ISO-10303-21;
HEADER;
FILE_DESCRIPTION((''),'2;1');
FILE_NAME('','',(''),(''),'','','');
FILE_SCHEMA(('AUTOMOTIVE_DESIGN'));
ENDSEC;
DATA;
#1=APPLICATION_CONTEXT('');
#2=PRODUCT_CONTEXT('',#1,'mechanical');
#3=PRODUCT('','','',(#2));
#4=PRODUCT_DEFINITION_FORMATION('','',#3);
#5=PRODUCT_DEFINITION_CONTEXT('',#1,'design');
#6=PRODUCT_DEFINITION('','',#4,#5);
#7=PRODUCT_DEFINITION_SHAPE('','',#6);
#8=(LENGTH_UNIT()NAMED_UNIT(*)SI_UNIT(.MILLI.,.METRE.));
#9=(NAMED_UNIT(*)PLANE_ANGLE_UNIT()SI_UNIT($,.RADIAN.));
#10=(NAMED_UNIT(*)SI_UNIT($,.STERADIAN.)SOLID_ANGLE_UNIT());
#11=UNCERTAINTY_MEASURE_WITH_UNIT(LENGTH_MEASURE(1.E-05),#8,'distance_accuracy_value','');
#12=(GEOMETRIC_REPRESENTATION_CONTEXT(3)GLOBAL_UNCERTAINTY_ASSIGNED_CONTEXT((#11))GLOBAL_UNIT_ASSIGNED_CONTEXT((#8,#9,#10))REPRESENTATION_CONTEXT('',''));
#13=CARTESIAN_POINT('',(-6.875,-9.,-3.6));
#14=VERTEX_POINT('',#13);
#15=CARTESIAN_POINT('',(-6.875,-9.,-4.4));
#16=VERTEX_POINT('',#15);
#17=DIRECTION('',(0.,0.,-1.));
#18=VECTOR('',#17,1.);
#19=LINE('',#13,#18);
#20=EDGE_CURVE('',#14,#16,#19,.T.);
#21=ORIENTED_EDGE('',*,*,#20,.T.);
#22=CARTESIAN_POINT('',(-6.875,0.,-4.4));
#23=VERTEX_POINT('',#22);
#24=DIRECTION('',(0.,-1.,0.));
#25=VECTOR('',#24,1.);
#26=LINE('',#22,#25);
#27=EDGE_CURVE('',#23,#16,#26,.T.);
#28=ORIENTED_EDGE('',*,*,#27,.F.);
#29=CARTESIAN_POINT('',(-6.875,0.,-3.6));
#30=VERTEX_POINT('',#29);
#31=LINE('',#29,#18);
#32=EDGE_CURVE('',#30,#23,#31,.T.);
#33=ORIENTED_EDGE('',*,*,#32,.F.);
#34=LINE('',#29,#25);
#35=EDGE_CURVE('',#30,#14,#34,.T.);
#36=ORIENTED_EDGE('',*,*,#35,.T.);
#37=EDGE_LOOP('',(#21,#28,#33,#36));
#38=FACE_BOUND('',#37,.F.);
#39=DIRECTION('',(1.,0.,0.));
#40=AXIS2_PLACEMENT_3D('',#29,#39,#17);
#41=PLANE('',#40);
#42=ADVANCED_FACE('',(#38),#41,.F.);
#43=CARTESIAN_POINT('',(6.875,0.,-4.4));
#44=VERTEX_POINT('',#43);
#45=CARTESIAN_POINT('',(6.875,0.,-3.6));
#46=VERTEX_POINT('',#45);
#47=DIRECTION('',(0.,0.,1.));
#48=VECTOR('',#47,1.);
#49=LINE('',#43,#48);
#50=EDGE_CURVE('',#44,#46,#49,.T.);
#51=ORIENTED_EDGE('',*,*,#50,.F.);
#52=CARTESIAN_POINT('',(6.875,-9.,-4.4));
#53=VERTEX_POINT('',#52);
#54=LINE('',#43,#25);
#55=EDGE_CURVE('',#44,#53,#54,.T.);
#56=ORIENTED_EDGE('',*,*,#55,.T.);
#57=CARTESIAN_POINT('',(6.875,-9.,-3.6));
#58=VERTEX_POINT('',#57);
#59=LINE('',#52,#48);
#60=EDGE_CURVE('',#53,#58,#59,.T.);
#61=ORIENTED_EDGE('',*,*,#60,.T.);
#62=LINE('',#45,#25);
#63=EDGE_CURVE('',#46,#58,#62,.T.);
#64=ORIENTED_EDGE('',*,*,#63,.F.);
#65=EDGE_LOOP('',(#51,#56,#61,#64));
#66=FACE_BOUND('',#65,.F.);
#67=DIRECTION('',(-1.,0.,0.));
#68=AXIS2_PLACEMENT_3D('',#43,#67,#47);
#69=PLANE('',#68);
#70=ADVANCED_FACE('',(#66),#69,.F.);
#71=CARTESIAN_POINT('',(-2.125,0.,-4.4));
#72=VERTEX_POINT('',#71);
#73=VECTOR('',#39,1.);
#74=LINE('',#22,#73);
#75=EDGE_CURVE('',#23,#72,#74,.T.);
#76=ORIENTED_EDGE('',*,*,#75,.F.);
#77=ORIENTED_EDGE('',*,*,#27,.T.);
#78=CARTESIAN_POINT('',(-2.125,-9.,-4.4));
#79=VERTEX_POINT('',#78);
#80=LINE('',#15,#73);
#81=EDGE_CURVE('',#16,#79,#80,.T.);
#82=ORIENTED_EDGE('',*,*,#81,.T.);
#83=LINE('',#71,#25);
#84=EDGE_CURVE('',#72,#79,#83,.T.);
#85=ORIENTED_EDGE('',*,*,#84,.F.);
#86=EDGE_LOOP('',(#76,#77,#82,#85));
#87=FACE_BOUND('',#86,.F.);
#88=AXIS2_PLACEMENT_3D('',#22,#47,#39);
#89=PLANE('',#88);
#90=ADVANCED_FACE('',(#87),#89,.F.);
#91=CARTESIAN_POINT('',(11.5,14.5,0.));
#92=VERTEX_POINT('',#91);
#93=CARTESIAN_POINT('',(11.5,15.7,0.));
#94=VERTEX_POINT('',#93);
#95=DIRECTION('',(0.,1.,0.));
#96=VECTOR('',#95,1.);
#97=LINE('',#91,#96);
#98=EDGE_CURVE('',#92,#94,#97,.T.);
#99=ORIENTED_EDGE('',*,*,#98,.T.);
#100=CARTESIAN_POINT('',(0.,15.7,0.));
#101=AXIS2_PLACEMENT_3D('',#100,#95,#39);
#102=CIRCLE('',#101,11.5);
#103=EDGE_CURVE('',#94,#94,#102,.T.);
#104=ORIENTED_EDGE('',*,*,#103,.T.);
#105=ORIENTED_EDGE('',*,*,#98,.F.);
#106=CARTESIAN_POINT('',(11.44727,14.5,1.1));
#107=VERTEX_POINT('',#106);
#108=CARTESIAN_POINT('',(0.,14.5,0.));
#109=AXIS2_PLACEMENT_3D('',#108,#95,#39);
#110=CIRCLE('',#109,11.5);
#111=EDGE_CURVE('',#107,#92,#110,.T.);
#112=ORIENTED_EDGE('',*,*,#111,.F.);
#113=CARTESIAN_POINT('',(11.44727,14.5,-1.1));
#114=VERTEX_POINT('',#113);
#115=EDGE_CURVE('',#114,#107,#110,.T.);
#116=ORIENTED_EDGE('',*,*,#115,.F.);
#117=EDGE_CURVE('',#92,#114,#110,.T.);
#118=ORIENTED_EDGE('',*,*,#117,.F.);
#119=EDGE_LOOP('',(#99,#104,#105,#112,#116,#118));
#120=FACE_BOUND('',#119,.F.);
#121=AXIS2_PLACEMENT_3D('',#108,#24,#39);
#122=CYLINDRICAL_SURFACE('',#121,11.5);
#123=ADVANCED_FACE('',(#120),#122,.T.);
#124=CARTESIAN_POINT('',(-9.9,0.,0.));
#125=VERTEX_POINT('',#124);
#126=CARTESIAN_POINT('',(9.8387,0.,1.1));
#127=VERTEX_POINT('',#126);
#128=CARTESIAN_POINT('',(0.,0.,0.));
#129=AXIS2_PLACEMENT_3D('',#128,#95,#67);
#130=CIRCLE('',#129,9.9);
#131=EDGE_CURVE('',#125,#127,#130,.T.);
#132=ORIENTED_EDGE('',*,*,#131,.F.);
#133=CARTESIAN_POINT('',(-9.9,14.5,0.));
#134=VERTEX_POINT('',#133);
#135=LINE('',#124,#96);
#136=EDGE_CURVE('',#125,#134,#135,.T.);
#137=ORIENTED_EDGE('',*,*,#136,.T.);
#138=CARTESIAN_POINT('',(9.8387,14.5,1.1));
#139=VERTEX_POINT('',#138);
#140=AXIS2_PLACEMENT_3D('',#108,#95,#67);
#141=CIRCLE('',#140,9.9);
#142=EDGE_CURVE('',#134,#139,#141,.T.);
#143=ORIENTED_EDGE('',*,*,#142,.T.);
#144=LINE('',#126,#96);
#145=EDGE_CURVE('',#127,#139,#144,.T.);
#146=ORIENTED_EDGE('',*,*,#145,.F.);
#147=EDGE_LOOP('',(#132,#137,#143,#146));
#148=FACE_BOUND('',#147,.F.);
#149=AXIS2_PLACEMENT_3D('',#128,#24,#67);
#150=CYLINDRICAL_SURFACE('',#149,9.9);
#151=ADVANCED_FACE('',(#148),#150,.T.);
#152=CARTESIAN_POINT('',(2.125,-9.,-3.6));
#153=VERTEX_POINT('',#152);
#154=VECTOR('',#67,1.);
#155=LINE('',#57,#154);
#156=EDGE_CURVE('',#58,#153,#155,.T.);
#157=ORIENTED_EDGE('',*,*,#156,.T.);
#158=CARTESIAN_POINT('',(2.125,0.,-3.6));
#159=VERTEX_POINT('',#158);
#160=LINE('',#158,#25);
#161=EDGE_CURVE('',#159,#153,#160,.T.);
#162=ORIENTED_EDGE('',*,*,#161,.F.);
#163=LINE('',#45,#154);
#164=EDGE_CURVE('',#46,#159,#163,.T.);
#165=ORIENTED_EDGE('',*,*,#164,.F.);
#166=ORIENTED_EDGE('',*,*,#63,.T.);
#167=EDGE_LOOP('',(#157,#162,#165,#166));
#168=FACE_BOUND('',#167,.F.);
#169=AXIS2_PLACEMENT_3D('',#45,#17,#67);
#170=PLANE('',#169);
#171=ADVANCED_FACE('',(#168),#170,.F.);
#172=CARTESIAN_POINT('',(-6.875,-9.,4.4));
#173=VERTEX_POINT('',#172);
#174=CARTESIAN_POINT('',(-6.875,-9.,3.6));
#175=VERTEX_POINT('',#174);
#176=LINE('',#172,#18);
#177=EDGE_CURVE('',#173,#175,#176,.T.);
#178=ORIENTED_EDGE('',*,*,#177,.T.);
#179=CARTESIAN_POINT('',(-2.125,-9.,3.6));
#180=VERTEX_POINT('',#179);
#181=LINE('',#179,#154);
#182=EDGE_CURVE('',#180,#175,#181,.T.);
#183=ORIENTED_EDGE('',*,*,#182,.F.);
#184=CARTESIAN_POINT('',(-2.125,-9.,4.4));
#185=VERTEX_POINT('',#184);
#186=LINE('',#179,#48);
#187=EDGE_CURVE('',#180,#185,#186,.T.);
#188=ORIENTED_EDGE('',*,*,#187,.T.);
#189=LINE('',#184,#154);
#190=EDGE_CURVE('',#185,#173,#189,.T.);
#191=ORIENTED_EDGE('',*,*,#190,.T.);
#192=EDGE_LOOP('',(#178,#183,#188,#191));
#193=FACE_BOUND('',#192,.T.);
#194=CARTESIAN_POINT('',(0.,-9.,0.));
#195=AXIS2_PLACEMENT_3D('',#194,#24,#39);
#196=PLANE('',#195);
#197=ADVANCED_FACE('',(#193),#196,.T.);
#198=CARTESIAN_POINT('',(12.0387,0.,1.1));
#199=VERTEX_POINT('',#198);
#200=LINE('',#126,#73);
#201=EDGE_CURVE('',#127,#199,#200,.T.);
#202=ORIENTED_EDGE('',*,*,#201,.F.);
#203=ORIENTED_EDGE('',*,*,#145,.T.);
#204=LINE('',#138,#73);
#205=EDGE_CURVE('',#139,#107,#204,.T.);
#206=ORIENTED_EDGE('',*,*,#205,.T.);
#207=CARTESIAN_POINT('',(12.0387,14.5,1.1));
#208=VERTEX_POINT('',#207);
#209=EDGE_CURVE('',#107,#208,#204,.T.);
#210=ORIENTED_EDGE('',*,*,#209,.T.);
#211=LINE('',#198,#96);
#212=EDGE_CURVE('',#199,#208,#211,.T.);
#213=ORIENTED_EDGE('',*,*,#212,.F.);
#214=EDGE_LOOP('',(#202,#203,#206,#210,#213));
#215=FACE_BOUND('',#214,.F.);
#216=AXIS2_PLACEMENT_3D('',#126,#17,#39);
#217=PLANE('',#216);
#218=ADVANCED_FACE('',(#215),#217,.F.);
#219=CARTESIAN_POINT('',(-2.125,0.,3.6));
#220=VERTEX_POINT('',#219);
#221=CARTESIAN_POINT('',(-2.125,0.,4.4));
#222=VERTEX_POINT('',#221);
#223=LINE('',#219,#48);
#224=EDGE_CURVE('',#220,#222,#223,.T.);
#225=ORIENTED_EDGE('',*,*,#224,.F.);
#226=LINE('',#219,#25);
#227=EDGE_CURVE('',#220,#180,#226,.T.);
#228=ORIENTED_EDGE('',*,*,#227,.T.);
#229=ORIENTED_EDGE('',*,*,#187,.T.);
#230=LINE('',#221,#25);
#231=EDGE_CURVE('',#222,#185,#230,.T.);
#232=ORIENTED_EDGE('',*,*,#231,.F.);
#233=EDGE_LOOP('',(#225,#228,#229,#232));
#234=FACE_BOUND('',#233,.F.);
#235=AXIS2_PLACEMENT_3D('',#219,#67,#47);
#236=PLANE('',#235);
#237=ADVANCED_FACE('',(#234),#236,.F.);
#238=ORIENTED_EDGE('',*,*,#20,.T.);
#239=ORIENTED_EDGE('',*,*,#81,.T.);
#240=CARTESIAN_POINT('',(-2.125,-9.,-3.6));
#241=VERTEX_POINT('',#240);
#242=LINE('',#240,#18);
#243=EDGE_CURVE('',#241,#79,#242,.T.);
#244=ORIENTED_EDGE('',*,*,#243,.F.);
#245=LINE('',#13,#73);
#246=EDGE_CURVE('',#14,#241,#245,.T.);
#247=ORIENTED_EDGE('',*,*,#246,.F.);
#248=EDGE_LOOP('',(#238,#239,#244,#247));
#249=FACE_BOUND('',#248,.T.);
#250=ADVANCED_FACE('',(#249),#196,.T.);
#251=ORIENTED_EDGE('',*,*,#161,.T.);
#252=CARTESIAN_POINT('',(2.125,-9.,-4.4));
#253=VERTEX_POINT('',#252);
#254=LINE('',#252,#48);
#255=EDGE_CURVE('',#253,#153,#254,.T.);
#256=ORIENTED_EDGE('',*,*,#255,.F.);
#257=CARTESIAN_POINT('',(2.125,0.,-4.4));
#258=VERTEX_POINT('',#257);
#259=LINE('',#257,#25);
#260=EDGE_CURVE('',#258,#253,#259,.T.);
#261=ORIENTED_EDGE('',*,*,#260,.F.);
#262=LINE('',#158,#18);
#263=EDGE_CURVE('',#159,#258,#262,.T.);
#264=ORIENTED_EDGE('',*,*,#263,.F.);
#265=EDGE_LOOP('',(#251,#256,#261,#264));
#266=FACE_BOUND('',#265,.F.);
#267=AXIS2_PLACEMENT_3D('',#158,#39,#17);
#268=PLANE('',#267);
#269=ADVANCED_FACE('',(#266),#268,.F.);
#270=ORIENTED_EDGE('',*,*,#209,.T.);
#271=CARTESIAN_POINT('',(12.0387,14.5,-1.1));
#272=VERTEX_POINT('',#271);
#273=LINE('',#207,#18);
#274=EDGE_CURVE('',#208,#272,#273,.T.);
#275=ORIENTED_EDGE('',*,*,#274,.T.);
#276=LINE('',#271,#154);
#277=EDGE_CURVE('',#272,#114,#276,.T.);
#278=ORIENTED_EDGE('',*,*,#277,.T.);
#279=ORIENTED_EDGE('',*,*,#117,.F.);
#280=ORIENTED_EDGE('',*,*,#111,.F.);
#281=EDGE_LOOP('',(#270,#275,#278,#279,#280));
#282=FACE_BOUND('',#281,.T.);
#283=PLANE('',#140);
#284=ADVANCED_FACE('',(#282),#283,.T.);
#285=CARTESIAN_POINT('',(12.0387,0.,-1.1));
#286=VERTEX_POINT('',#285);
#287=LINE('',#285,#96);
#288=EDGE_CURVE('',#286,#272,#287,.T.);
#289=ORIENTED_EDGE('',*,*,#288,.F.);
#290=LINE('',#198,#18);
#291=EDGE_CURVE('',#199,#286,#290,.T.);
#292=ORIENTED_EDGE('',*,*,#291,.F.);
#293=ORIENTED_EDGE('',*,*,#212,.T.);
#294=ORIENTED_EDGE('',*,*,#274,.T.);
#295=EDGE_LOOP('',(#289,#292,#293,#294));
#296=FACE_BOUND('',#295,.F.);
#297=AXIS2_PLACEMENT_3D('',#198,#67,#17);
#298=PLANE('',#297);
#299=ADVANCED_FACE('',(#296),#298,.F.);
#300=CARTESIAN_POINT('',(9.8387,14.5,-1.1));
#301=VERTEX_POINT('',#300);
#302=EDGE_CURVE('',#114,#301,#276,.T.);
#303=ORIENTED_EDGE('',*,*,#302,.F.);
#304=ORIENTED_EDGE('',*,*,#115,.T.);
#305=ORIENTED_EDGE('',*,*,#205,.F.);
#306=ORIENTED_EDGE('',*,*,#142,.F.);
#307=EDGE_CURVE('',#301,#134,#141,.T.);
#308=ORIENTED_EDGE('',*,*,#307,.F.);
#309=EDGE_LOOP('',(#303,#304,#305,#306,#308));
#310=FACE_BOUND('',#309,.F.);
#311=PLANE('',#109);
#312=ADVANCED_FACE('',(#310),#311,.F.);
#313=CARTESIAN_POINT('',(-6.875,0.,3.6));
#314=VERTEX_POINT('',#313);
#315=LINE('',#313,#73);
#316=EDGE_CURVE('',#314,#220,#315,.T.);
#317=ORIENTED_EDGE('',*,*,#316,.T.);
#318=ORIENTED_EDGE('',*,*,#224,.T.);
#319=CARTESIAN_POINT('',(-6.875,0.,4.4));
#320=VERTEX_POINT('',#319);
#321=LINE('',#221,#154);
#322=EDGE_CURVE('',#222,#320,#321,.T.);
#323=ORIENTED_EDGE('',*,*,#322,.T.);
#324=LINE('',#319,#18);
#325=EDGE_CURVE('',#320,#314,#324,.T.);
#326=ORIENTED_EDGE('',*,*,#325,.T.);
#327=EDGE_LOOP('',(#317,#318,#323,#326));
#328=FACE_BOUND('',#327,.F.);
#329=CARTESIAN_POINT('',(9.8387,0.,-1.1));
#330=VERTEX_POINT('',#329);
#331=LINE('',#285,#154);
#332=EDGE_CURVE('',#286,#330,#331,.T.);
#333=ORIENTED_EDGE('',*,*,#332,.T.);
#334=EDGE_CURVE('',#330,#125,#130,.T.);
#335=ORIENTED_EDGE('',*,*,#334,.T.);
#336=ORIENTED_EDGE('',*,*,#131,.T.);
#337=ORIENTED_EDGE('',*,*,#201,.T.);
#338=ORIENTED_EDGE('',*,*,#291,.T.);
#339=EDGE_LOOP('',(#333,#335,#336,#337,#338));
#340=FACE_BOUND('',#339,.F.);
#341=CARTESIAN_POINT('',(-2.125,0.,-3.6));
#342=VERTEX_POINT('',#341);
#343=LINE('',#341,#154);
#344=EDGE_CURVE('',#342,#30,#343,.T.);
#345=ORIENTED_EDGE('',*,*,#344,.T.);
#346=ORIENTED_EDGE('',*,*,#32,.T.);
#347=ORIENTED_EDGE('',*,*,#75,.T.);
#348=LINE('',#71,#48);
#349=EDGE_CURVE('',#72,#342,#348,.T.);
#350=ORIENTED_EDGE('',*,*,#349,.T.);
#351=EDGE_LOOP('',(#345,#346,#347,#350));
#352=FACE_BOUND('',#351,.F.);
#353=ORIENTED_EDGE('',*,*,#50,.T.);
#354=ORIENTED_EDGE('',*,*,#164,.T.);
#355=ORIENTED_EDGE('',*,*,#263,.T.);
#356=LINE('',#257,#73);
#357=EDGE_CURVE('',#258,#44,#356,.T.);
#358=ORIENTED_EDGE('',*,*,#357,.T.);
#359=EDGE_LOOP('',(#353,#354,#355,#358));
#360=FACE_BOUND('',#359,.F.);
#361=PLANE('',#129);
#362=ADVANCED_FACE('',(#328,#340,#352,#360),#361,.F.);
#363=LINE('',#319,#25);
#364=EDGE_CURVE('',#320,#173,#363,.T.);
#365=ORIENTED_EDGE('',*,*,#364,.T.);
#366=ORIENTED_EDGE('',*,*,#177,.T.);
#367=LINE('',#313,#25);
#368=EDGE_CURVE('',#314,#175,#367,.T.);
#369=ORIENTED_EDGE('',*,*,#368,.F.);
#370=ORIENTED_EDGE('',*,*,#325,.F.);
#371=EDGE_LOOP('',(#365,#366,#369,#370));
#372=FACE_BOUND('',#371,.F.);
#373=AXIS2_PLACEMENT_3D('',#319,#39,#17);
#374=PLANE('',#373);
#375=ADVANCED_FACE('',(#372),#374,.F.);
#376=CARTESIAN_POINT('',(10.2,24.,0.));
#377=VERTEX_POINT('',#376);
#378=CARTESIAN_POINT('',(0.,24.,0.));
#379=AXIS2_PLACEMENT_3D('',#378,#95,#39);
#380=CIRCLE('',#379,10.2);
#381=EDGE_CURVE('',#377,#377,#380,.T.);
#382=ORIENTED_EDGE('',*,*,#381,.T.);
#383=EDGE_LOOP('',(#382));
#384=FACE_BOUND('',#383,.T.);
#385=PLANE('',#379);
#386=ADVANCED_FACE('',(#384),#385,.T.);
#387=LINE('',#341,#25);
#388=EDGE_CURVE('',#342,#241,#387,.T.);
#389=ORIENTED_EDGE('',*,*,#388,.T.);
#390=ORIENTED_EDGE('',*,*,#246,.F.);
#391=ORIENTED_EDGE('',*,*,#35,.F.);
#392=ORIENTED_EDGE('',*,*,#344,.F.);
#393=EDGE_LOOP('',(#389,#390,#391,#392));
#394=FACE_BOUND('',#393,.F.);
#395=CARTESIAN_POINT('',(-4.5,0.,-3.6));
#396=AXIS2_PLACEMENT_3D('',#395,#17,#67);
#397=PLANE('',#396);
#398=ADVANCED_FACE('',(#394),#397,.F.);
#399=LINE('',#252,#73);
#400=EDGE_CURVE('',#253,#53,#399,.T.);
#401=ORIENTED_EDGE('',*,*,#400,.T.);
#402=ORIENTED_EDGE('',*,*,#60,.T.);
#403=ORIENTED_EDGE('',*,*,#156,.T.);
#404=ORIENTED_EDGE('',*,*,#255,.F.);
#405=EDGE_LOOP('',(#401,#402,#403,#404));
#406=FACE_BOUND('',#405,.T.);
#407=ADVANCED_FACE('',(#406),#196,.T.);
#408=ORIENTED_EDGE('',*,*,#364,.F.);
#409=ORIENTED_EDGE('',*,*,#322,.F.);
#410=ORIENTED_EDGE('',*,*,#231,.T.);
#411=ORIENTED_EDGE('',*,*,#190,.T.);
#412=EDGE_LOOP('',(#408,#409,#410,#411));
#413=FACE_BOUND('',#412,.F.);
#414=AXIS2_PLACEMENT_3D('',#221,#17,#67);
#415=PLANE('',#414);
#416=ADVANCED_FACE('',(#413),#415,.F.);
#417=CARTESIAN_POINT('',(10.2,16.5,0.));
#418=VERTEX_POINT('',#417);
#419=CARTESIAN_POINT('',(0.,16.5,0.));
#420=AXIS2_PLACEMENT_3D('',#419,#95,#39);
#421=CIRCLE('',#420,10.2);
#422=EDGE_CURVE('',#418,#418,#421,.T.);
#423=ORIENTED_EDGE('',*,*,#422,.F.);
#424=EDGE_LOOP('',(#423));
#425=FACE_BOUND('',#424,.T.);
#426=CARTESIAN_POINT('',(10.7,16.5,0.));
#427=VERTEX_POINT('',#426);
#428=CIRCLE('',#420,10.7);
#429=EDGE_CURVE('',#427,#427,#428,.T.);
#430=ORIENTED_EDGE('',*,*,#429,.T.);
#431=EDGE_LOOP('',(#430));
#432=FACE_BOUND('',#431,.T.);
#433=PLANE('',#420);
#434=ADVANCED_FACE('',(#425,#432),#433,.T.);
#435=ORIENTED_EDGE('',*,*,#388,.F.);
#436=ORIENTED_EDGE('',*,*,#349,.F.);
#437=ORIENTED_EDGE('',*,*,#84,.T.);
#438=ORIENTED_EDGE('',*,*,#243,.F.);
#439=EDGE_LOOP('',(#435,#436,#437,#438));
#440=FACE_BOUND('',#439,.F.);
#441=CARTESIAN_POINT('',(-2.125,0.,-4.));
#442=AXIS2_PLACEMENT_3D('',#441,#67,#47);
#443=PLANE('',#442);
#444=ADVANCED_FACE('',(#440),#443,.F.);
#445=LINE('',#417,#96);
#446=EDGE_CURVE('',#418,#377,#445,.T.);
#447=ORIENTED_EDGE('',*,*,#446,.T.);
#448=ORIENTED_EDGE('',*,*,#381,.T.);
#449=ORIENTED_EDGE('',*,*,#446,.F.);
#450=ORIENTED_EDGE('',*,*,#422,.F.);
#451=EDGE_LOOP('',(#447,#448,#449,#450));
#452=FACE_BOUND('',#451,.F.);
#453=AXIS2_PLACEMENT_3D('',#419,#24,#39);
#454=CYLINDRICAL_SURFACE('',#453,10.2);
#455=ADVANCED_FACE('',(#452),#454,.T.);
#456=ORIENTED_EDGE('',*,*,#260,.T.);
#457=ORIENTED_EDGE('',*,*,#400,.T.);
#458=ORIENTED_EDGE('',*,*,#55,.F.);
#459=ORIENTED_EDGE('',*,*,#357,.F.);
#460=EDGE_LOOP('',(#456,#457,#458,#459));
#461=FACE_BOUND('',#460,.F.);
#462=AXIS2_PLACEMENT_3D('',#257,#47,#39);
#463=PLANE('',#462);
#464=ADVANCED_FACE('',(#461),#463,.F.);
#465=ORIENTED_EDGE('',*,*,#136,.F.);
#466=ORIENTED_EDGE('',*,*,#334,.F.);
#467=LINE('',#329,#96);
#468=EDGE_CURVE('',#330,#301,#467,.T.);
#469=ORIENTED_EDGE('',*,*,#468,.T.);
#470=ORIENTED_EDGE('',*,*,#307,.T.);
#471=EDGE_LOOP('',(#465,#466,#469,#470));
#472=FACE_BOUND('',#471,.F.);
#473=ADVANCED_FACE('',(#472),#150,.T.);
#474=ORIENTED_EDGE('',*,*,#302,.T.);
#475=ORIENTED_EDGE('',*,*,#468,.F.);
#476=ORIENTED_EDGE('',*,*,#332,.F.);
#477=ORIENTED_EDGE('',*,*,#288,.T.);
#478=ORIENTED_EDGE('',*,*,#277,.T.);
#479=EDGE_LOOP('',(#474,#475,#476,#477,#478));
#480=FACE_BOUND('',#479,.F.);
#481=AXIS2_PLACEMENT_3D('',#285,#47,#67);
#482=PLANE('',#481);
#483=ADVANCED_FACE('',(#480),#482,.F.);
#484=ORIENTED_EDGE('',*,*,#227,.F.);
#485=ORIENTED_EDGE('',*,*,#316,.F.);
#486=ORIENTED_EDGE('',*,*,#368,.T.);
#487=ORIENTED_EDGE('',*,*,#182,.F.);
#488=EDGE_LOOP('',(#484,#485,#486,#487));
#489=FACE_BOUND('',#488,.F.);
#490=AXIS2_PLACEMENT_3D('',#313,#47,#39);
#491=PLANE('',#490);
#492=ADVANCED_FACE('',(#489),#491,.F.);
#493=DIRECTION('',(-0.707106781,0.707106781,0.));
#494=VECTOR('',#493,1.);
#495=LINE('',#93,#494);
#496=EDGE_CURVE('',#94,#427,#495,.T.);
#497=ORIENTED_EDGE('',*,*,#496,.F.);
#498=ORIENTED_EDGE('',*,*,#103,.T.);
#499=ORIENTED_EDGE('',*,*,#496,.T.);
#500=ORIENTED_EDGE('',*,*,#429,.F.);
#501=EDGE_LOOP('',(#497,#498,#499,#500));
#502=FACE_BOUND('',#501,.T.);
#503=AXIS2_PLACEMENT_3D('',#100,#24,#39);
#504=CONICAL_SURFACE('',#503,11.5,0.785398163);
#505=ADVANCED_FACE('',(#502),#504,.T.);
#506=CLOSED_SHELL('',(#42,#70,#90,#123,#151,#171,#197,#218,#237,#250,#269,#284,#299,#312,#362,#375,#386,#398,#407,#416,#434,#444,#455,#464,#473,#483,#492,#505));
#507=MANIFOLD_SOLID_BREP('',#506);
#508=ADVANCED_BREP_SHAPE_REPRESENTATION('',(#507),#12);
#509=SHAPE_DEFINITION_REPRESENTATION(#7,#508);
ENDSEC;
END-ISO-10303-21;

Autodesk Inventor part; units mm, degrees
ref_plane "YZ Plane" through (0, 0, 0) normal (1, 0, 0) x (0, 1, 0)
ref_plane "XZ Plane" through (0, 0, 0) normal (0, 1, 0) x (-1, 0, 0)
ref_plane "XY Plane" through (0, 0, 0) normal (0, 0, 1) x (1, 0, 0)
sketch "Sketch1" plane through (0, 0, 0) normal (0, 1, 0) x (-1, 0, 0)
  circle A0 centre (0, 0) radius 9.9
  line L0 (-9.8387, 1.1) -> (-12.0387, 1.1)
  line L1 (-12.0387, 1.1) -> (-12.0387, -1.1)
  line L2 (-12.0387, -1.1) -> (-9.8387, -1.1)
  point P0 (-12.0387, 0)
  dimension "d0" = 19.8
  dimension "d1" = 2.2
  dimension "d2" = 2.2
extrude "Extrusion1" add sketch "Sketch1" along normal blind 14.5
sketch "Sketch2" plane through (0, 14.5, 0) normal (0, 1, 0) x (1, 0, 0)
  circle A0 centre (0, 0) radius 11.5
  dimension "d5" = 23
extrude "Extrusion2" add sketch "Sketch2" along normal blind 2
chamfer "Chamfer1" distance 0.8 angle 45 1 edges at (-11.5, 16.5, 0)
sketch "Sketch3" plane through (0, 16.5, 0) normal (0, 1, 0) x (1, 0, 0)
  circle A0 centre (0, 0) radius 10.2
  dimension "d11" = 20.4
extrude "Extrusion3" add sketch "Sketch3" along normal blind 7.5
sketch "Sketch4" plane through (0, 0, 0) normal (0, -1, 0) x (1, 0, 0)
  line L0 (-6.875, -4.4) -> (-2.125, -4.4)
  line L1 (-2.125, -4.4) -> (-2.125, -3.6)
  line L2 (-2.125, -3.6) -> (-6.875, -3.6)
  line L3 (-6.875, -3.6) -> (-6.875, -4.4)
  line L4 (2.125, -4.4) -> (6.875, -4.4)
  line L5 (6.875, -4.4) -> (6.875, -3.6)
  line L6 (6.875, -3.6) -> (2.125, -3.6)
  line L7 (2.125, -3.6) -> (2.125, -4.4)
  line L8 (-6.875, 3.6) -> (-2.125, 3.6)
  line L9 (-2.125, 3.6) -> (-2.125, 4.4)
  line L10 (-2.125, 4.4) -> (-6.875, 4.4)
  line L11 (-6.875, 4.4) -> (-6.875, 3.6)
  line L12 (-4.5, -3.6) -> (-4.5, 3.6)
  line L13 (2.125, -4) -> (-2.125, -4)
  point P0 (0, 0)
  point P1 (-4.5, -4.4)
  point P2 (4.5, -4.4)
  point P3 (-2.125, 4)
  point P4 (-4.5, 0)
  point P5 (0, -4)
  dimension "d14" = 0.8
  dimension "d15" = 4.75
  dimension "d16" = 9
  dimension "d17" = 8
extrude "Extrusion4" add sketch "Sketch4" along normal blind 9
equation "\"d2\" = d1"
properties part number "SwitchPushButton"
